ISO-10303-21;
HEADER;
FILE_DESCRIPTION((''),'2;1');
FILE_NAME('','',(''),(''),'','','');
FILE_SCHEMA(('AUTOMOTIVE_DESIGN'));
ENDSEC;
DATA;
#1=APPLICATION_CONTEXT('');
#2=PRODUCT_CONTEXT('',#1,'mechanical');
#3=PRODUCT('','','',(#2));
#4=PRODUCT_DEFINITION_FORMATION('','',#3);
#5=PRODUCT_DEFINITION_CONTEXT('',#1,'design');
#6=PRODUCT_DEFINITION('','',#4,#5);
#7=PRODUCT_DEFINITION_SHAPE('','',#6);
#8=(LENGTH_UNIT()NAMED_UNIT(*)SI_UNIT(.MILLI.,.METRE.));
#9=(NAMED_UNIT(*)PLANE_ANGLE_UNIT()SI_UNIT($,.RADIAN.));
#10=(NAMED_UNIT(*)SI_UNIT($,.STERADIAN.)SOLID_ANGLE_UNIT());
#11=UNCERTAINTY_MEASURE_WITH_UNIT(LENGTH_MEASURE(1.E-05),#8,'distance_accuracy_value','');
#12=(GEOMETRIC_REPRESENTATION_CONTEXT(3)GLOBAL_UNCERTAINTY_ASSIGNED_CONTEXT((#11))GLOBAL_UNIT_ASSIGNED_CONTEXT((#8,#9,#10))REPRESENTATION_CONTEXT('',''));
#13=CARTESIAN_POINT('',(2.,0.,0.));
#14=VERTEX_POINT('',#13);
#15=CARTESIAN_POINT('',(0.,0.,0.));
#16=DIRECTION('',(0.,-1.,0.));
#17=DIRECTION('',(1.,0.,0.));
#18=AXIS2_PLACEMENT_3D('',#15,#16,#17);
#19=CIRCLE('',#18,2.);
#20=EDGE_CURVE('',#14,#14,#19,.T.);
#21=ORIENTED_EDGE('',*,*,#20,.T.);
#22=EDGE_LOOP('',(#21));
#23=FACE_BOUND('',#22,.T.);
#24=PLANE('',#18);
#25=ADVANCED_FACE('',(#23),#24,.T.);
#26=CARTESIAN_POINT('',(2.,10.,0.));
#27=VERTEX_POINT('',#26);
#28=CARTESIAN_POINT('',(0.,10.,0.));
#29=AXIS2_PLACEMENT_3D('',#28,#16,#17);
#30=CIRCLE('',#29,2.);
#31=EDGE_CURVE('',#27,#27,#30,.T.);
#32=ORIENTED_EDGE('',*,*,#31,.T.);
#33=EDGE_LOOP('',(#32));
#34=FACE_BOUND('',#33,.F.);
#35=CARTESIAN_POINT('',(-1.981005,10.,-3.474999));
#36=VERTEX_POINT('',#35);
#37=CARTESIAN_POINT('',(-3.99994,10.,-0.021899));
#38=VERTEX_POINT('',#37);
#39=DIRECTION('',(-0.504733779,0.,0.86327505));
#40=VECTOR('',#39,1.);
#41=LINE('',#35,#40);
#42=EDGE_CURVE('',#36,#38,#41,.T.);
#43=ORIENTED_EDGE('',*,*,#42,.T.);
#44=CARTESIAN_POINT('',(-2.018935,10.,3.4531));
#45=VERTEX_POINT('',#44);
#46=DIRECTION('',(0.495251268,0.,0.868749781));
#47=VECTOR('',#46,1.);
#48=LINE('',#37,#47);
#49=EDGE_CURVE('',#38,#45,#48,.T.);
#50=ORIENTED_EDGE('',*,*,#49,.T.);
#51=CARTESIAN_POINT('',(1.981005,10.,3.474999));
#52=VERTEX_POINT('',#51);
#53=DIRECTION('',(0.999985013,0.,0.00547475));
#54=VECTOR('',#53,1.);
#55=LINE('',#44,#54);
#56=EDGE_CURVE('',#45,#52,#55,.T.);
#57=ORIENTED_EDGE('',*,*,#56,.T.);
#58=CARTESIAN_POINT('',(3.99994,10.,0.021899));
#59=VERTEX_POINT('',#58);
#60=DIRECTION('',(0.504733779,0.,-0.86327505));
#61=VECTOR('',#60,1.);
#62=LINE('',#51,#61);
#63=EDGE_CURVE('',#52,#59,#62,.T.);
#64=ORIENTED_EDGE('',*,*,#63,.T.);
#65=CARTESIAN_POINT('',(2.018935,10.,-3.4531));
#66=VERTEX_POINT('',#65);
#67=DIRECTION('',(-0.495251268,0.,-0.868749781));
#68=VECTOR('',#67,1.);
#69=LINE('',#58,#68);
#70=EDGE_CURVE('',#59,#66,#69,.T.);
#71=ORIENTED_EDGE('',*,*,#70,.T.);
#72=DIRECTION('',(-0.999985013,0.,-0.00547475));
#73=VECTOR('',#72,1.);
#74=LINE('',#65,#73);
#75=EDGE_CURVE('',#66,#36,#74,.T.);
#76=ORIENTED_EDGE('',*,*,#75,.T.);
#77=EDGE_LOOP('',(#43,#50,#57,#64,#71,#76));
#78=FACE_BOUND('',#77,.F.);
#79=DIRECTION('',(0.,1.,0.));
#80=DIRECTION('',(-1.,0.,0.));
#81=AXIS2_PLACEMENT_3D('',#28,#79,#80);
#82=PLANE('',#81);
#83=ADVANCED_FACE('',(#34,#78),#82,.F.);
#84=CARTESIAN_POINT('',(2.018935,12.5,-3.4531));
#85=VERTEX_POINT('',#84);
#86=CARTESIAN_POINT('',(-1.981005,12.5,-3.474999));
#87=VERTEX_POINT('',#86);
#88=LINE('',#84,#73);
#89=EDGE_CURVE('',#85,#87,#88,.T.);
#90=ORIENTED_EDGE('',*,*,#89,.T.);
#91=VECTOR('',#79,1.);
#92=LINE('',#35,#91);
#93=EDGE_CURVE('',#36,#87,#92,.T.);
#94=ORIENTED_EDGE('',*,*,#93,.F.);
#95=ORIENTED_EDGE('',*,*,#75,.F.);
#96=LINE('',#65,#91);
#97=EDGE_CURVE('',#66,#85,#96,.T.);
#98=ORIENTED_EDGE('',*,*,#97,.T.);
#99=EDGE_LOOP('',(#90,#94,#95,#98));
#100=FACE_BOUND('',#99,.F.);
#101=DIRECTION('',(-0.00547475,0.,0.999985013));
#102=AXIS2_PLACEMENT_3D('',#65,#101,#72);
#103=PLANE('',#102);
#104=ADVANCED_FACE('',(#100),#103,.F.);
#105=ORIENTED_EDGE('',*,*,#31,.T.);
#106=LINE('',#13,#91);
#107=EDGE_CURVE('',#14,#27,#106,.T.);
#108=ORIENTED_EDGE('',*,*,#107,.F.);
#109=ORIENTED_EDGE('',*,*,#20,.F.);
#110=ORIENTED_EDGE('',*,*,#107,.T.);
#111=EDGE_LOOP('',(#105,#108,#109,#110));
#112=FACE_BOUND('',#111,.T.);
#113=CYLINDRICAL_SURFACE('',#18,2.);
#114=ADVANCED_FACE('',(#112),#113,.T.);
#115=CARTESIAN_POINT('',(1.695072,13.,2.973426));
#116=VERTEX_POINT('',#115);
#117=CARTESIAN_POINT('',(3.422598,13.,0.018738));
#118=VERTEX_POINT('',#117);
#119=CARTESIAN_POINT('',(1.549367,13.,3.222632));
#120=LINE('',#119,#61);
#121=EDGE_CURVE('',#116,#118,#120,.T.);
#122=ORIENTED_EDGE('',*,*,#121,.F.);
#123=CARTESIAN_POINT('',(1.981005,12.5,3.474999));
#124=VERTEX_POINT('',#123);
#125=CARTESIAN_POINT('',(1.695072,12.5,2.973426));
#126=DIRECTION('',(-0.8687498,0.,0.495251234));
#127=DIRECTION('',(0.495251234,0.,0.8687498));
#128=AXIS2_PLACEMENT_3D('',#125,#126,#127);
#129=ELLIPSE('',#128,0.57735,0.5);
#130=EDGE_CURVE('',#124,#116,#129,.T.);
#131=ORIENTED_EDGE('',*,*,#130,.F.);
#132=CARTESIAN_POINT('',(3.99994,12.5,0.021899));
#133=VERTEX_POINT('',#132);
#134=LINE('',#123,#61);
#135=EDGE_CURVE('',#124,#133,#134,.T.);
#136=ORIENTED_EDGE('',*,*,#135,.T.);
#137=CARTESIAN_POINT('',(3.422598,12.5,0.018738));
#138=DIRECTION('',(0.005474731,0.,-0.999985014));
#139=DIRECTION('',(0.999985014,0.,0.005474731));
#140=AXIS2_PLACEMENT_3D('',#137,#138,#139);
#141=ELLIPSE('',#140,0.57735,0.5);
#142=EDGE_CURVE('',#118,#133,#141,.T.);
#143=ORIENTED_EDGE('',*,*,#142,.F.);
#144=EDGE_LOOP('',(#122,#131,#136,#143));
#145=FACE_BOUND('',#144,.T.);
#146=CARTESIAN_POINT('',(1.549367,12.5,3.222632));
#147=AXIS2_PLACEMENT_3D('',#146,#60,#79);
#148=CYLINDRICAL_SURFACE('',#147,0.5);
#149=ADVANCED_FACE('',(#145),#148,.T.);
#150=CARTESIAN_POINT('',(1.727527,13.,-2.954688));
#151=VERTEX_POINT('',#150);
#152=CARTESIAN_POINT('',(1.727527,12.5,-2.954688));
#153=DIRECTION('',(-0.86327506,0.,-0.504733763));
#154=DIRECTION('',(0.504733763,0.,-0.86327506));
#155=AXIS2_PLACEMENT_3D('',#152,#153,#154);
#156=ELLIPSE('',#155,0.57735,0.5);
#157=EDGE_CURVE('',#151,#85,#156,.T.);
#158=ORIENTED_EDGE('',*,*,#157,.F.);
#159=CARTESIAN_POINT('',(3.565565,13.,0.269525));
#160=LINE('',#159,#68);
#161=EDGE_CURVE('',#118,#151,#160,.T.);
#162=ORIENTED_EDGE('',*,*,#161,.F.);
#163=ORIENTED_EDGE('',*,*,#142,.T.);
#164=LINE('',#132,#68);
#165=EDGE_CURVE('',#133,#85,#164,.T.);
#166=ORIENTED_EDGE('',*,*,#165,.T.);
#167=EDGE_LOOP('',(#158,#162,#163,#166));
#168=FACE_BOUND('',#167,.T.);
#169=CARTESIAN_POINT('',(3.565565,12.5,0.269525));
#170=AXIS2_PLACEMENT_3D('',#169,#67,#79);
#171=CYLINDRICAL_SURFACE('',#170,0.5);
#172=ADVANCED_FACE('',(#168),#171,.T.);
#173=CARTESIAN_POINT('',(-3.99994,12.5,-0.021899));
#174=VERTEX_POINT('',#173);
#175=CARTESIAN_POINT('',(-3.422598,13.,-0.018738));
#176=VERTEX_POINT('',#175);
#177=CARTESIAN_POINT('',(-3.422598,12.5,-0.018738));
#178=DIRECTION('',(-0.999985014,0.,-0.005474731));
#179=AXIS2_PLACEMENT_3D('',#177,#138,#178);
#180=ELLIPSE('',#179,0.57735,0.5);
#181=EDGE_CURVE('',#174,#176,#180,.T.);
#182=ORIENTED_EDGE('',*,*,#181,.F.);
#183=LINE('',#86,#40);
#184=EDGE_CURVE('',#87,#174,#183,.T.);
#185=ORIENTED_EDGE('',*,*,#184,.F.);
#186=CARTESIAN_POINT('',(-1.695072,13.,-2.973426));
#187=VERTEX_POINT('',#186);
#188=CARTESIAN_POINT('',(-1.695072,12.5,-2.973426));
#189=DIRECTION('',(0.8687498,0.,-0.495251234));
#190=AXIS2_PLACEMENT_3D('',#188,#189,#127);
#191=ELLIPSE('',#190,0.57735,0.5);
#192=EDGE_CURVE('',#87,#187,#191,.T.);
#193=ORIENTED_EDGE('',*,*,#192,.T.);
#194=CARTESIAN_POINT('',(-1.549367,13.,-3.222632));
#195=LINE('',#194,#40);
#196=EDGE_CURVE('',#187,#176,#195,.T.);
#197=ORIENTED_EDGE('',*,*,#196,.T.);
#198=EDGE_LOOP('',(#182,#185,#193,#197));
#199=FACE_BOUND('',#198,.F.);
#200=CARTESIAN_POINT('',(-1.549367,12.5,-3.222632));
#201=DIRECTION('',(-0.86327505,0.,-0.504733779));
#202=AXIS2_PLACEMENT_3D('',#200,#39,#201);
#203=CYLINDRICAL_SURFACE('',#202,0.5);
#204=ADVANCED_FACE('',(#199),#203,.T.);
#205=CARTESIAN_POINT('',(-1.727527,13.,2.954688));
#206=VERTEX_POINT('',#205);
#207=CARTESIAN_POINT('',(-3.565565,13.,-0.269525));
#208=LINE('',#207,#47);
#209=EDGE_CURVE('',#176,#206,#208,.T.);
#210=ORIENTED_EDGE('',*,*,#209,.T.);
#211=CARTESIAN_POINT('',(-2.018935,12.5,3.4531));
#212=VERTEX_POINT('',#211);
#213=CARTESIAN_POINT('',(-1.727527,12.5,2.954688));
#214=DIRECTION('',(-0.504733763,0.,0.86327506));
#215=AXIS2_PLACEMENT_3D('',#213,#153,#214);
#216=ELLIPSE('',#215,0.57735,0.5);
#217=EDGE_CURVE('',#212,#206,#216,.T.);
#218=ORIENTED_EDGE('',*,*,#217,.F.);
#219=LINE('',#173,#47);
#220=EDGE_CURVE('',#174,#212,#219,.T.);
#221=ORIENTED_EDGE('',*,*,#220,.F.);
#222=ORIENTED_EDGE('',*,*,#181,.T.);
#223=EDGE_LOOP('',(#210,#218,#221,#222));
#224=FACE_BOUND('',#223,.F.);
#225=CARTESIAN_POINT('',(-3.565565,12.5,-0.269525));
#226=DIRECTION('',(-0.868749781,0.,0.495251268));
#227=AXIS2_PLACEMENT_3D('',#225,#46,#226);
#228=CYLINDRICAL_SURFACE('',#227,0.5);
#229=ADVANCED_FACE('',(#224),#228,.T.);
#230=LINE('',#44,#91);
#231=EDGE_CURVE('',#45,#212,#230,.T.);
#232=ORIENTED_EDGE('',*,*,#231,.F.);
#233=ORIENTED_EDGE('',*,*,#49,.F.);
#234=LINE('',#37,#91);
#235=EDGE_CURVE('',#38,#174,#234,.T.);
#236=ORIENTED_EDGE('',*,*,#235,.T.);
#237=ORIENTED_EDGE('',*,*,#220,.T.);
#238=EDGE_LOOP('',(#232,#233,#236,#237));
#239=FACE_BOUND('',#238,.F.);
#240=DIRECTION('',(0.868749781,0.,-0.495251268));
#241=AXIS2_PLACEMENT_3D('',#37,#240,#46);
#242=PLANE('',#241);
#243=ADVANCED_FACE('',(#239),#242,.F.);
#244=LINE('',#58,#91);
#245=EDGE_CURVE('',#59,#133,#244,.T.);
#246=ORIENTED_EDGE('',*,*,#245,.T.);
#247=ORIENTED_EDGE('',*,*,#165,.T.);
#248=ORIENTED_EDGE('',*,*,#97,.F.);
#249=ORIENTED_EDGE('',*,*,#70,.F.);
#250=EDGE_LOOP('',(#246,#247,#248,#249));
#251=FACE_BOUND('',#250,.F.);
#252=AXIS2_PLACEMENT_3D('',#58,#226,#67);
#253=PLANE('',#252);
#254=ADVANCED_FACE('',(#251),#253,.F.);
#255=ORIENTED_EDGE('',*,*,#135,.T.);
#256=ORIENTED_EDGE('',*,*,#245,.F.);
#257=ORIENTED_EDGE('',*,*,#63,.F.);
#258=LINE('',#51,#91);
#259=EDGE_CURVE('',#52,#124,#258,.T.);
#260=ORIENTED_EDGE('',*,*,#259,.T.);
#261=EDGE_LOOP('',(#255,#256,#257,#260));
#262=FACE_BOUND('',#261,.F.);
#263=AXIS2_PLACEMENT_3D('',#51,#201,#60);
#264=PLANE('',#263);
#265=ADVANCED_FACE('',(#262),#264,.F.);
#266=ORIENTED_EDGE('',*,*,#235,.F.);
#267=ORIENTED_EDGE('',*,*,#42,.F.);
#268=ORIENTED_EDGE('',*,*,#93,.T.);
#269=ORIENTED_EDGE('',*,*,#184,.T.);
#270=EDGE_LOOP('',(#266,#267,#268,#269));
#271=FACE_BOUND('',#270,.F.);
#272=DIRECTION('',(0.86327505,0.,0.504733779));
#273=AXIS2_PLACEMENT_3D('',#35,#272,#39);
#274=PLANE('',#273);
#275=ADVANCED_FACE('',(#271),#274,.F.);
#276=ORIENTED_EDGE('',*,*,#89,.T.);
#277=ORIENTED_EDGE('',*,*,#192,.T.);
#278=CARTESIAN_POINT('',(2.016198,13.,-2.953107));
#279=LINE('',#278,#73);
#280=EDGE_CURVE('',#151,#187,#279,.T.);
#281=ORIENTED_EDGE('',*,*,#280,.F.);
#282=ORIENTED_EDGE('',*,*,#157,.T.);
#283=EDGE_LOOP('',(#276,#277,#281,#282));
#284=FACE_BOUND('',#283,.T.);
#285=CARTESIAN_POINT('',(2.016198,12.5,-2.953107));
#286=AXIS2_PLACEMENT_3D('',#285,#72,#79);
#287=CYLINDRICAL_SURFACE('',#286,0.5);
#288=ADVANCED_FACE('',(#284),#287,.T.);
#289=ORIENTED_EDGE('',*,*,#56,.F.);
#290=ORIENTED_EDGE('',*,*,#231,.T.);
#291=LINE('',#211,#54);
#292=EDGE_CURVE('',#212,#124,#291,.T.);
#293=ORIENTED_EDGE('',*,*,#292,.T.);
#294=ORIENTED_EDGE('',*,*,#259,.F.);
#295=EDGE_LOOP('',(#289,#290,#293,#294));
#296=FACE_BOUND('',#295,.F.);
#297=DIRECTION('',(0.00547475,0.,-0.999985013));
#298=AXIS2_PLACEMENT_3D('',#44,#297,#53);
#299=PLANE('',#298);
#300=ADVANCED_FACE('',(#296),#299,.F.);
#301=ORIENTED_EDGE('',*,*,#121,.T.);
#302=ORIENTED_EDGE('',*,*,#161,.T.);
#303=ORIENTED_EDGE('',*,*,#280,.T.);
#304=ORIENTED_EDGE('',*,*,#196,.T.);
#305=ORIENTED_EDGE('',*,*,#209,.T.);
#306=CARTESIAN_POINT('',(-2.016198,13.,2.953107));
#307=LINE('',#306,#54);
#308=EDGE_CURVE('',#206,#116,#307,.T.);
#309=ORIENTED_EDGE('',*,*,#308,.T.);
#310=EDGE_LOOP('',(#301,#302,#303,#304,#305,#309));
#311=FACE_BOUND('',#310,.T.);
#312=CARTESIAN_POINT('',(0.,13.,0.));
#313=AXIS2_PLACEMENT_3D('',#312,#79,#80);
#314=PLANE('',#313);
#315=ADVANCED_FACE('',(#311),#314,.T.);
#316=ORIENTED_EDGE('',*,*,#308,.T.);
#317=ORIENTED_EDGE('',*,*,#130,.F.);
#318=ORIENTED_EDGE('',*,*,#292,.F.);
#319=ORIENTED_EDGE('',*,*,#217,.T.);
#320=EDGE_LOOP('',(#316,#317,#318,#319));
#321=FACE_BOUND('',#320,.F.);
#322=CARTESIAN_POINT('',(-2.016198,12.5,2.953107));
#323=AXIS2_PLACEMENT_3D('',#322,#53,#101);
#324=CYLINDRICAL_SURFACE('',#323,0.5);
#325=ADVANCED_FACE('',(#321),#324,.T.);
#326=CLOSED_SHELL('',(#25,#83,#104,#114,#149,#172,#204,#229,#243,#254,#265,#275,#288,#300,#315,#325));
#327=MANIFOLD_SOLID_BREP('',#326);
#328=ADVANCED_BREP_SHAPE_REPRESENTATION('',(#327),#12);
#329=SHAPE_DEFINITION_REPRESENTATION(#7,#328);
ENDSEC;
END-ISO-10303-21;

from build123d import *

# Parameters (mm, degrees)
F0_R     = 2
F1_DEPTH = 10
F3_DEPTH = 3
F4_R     = 0.5


with BuildPart() as f1:
    # F0 (on Front) → F1 (new body)
    with BuildSketch(Plane.XZ):
        Circle(F0_R)
    extrude(amount=-F1_DEPTH)

    # F2 (on face) → F3 (join)
    with BuildSketch(Plane(origin=(0, 10, 0), x_dir=(-1, 0, 0), z_dir=(0, 1, 0))):
        Polygon((3.99994, -0.021899), (2.018935, 3.4531), (-1.981005, 3.474999), (-3.99994, 0.021899), (-2.018935, -3.4531), (1.981005, -3.474999), align=None)
    extrude(amount=F3_DEPTH)

    # F4
    f4_edges = [f1.edges().sort_by_distance(p)[0] for p in [
        (-2.990473, 13, -1.748449),
        (-3.009437, 13, 1.715601),
        (-0.018965, 13, 3.46405),
        (2.990473, 13, 1.748449),
        (3.009437, 13, -1.715601),
        (0.018965, 13, -3.46405),
    ]]
    fillet(f4_edges, radius=F4_R)


solid = f1.part
